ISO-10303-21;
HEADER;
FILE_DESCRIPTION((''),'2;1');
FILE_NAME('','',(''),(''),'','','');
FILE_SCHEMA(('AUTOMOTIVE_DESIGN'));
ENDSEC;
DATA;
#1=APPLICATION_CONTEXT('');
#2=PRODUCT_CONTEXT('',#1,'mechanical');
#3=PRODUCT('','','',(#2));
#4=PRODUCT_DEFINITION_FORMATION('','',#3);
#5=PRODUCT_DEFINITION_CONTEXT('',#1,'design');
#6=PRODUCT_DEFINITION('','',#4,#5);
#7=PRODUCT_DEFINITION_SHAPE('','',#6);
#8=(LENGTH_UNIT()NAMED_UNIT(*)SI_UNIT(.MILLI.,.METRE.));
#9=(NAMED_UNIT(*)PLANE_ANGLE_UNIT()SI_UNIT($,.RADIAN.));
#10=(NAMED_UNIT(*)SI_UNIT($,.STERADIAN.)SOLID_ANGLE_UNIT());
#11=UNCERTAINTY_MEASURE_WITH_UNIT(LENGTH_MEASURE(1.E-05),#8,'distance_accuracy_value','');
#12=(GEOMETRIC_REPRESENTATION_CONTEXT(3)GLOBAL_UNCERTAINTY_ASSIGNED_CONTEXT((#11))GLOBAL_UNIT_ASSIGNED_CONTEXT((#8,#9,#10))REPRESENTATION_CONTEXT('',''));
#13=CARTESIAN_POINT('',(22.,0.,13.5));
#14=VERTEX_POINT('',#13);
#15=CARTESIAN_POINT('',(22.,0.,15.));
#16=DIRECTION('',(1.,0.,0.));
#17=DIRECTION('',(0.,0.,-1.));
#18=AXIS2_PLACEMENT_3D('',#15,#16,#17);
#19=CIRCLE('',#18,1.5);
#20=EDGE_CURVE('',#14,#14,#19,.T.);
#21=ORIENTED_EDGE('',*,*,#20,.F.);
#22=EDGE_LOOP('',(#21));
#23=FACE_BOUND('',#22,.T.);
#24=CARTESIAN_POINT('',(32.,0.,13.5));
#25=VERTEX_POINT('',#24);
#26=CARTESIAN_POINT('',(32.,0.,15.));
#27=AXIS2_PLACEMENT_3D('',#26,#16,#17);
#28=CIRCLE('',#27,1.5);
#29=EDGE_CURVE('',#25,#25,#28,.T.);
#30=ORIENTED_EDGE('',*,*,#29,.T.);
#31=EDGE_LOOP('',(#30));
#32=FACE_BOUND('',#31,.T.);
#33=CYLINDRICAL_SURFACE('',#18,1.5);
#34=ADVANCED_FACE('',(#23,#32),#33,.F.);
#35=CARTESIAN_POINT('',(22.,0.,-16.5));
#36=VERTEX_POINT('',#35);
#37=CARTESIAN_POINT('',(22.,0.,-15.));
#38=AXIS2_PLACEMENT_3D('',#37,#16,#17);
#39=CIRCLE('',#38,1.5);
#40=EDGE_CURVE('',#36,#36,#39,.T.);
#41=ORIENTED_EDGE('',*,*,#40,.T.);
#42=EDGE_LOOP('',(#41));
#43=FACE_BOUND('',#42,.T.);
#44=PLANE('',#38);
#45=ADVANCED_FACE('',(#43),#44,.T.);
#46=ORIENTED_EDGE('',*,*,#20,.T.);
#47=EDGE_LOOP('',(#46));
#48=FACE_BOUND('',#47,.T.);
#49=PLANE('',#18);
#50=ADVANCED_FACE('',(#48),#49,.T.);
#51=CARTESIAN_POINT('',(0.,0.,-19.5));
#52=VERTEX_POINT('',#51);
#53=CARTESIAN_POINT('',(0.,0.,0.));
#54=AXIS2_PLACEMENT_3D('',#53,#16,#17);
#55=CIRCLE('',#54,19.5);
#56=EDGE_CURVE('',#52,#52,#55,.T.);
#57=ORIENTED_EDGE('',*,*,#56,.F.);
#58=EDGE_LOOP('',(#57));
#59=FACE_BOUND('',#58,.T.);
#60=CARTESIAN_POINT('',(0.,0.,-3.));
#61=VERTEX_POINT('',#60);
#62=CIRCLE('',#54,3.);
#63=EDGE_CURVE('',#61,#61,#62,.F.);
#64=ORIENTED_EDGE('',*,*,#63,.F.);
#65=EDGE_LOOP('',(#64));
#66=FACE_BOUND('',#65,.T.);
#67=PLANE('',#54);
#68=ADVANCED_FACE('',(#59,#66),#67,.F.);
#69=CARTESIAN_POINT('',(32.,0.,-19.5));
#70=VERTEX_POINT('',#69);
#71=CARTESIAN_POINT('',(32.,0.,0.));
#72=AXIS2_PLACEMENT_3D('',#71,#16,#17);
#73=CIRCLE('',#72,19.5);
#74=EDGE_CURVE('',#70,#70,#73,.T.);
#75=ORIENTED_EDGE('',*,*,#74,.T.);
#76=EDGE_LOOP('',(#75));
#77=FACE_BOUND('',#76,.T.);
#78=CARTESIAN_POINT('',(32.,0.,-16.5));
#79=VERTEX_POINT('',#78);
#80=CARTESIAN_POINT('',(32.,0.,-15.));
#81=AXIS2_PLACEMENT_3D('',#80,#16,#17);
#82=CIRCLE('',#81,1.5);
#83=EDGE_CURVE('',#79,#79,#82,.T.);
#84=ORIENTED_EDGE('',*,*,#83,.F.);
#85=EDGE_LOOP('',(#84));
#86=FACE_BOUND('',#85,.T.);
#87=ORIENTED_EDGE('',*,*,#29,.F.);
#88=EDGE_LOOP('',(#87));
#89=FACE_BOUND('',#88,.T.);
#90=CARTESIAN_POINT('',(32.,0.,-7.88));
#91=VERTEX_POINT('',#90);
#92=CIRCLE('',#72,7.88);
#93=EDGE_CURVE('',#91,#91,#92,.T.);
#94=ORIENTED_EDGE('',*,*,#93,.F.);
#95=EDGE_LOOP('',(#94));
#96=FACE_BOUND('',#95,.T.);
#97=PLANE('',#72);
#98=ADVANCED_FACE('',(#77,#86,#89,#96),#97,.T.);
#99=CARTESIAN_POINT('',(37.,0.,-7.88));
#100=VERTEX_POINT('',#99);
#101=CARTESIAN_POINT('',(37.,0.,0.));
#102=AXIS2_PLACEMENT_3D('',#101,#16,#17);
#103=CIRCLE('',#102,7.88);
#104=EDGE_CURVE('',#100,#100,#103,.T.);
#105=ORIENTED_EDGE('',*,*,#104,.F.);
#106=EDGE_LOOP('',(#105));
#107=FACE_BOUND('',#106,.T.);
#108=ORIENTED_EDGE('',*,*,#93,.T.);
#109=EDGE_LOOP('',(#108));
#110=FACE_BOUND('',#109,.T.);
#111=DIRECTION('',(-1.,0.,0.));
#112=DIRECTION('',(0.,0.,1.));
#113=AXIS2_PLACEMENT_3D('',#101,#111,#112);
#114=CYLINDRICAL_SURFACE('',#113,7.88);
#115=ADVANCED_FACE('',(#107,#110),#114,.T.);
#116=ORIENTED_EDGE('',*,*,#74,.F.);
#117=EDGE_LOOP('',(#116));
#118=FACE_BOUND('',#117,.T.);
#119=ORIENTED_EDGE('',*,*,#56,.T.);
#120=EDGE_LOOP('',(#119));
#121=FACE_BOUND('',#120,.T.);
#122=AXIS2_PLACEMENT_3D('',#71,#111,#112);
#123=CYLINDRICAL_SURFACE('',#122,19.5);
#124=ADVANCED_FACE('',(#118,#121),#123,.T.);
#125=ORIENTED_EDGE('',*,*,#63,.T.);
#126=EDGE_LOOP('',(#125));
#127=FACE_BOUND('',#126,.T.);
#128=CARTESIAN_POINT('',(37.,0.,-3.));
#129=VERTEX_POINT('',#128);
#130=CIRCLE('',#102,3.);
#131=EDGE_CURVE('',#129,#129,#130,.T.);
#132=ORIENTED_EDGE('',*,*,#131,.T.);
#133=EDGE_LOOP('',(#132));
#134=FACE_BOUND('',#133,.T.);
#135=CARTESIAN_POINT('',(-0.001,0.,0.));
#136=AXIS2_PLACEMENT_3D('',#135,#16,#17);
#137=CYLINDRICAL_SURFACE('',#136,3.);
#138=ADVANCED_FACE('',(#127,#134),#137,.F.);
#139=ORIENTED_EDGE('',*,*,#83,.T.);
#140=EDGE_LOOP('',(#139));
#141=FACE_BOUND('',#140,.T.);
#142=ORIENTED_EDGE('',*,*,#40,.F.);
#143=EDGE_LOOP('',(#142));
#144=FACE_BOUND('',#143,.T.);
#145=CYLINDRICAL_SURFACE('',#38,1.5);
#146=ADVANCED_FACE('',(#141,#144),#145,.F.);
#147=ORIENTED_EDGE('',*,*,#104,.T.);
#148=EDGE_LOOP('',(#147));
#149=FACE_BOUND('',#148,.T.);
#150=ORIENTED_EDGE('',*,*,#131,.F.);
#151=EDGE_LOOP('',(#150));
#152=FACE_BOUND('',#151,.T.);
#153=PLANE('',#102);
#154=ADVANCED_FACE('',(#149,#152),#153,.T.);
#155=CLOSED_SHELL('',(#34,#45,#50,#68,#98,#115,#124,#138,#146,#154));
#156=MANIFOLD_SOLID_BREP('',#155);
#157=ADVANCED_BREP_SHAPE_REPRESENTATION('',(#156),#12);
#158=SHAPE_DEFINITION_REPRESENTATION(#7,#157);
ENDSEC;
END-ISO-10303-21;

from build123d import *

# Parameters (mm, degrees)
SKETCH_1_R          = 19.5
EXTRUDE_1_DEPTH     = 32
SKETCH_2_R          = 7.88
EXTRUDE_2_DEPTH     = 5
CUT_EXTRUDE_1_REACH = 48.147
SKETCH_3_R          = 3
SKETCH_4_R          = 1.5
CUT_EXTRUDE_2_DEPTH = 10


with BuildPart() as part:
    # 草图1 → 凸台-拉伸1 (new body)
    with BuildSketch(Plane(origin=(0, 0, 0), x_dir=(0, 0, -1), z_dir=(1, 0, 0))):
        Circle(SKETCH_1_R)
    extrude(amount=EXTRUDE_1_DEPTH)

    # 草图2 → 凸台-拉伸2 (add)
    with BuildSketch(Plane(origin=(32, 0, 0), x_dir=(0, 0, -1), z_dir=(1, 0, 0))):
        Circle(SKETCH_2_R)
    extrude(amount=EXTRUDE_2_DEPTH)

    # 草图3 → 切除-拉伸1 (cut, up to next)
    with BuildSketch(Plane(origin=(37, 0, 0), x_dir=(0, 0, -1), z_dir=(1, 0, 0)), mode=Mode.PRIVATE) as cut_extrude_1_sk1:
        Circle(SKETCH_3_R)
    cut_extrude_1_tool1 = extrude(cut_extrude_1_sk1.sketch, amount=-CUT_EXTRUDE_1_REACH, mode=Mode.PRIVATE) & part.part
    add(cut_extrude_1_tool1.solids().sort_by_distance((37, 0, 0))[0], mode=Mode.SUBTRACT)

    # 草图4 → 切除-拉伸2 (cut)
    with BuildSketch(Plane(origin=(32, 0, 0), x_dir=(0, 0, -1), z_dir=(1, 0, 0))):
        with Locations((15, 0)):
            Circle(SKETCH_4_R)
        with Locations((-15, 0)):
            Circle(SKETCH_4_R)
    extrude(amount=-CUT_EXTRUDE_2_DEPTH, mode=Mode.SUBTRACT)


solid = part.part
